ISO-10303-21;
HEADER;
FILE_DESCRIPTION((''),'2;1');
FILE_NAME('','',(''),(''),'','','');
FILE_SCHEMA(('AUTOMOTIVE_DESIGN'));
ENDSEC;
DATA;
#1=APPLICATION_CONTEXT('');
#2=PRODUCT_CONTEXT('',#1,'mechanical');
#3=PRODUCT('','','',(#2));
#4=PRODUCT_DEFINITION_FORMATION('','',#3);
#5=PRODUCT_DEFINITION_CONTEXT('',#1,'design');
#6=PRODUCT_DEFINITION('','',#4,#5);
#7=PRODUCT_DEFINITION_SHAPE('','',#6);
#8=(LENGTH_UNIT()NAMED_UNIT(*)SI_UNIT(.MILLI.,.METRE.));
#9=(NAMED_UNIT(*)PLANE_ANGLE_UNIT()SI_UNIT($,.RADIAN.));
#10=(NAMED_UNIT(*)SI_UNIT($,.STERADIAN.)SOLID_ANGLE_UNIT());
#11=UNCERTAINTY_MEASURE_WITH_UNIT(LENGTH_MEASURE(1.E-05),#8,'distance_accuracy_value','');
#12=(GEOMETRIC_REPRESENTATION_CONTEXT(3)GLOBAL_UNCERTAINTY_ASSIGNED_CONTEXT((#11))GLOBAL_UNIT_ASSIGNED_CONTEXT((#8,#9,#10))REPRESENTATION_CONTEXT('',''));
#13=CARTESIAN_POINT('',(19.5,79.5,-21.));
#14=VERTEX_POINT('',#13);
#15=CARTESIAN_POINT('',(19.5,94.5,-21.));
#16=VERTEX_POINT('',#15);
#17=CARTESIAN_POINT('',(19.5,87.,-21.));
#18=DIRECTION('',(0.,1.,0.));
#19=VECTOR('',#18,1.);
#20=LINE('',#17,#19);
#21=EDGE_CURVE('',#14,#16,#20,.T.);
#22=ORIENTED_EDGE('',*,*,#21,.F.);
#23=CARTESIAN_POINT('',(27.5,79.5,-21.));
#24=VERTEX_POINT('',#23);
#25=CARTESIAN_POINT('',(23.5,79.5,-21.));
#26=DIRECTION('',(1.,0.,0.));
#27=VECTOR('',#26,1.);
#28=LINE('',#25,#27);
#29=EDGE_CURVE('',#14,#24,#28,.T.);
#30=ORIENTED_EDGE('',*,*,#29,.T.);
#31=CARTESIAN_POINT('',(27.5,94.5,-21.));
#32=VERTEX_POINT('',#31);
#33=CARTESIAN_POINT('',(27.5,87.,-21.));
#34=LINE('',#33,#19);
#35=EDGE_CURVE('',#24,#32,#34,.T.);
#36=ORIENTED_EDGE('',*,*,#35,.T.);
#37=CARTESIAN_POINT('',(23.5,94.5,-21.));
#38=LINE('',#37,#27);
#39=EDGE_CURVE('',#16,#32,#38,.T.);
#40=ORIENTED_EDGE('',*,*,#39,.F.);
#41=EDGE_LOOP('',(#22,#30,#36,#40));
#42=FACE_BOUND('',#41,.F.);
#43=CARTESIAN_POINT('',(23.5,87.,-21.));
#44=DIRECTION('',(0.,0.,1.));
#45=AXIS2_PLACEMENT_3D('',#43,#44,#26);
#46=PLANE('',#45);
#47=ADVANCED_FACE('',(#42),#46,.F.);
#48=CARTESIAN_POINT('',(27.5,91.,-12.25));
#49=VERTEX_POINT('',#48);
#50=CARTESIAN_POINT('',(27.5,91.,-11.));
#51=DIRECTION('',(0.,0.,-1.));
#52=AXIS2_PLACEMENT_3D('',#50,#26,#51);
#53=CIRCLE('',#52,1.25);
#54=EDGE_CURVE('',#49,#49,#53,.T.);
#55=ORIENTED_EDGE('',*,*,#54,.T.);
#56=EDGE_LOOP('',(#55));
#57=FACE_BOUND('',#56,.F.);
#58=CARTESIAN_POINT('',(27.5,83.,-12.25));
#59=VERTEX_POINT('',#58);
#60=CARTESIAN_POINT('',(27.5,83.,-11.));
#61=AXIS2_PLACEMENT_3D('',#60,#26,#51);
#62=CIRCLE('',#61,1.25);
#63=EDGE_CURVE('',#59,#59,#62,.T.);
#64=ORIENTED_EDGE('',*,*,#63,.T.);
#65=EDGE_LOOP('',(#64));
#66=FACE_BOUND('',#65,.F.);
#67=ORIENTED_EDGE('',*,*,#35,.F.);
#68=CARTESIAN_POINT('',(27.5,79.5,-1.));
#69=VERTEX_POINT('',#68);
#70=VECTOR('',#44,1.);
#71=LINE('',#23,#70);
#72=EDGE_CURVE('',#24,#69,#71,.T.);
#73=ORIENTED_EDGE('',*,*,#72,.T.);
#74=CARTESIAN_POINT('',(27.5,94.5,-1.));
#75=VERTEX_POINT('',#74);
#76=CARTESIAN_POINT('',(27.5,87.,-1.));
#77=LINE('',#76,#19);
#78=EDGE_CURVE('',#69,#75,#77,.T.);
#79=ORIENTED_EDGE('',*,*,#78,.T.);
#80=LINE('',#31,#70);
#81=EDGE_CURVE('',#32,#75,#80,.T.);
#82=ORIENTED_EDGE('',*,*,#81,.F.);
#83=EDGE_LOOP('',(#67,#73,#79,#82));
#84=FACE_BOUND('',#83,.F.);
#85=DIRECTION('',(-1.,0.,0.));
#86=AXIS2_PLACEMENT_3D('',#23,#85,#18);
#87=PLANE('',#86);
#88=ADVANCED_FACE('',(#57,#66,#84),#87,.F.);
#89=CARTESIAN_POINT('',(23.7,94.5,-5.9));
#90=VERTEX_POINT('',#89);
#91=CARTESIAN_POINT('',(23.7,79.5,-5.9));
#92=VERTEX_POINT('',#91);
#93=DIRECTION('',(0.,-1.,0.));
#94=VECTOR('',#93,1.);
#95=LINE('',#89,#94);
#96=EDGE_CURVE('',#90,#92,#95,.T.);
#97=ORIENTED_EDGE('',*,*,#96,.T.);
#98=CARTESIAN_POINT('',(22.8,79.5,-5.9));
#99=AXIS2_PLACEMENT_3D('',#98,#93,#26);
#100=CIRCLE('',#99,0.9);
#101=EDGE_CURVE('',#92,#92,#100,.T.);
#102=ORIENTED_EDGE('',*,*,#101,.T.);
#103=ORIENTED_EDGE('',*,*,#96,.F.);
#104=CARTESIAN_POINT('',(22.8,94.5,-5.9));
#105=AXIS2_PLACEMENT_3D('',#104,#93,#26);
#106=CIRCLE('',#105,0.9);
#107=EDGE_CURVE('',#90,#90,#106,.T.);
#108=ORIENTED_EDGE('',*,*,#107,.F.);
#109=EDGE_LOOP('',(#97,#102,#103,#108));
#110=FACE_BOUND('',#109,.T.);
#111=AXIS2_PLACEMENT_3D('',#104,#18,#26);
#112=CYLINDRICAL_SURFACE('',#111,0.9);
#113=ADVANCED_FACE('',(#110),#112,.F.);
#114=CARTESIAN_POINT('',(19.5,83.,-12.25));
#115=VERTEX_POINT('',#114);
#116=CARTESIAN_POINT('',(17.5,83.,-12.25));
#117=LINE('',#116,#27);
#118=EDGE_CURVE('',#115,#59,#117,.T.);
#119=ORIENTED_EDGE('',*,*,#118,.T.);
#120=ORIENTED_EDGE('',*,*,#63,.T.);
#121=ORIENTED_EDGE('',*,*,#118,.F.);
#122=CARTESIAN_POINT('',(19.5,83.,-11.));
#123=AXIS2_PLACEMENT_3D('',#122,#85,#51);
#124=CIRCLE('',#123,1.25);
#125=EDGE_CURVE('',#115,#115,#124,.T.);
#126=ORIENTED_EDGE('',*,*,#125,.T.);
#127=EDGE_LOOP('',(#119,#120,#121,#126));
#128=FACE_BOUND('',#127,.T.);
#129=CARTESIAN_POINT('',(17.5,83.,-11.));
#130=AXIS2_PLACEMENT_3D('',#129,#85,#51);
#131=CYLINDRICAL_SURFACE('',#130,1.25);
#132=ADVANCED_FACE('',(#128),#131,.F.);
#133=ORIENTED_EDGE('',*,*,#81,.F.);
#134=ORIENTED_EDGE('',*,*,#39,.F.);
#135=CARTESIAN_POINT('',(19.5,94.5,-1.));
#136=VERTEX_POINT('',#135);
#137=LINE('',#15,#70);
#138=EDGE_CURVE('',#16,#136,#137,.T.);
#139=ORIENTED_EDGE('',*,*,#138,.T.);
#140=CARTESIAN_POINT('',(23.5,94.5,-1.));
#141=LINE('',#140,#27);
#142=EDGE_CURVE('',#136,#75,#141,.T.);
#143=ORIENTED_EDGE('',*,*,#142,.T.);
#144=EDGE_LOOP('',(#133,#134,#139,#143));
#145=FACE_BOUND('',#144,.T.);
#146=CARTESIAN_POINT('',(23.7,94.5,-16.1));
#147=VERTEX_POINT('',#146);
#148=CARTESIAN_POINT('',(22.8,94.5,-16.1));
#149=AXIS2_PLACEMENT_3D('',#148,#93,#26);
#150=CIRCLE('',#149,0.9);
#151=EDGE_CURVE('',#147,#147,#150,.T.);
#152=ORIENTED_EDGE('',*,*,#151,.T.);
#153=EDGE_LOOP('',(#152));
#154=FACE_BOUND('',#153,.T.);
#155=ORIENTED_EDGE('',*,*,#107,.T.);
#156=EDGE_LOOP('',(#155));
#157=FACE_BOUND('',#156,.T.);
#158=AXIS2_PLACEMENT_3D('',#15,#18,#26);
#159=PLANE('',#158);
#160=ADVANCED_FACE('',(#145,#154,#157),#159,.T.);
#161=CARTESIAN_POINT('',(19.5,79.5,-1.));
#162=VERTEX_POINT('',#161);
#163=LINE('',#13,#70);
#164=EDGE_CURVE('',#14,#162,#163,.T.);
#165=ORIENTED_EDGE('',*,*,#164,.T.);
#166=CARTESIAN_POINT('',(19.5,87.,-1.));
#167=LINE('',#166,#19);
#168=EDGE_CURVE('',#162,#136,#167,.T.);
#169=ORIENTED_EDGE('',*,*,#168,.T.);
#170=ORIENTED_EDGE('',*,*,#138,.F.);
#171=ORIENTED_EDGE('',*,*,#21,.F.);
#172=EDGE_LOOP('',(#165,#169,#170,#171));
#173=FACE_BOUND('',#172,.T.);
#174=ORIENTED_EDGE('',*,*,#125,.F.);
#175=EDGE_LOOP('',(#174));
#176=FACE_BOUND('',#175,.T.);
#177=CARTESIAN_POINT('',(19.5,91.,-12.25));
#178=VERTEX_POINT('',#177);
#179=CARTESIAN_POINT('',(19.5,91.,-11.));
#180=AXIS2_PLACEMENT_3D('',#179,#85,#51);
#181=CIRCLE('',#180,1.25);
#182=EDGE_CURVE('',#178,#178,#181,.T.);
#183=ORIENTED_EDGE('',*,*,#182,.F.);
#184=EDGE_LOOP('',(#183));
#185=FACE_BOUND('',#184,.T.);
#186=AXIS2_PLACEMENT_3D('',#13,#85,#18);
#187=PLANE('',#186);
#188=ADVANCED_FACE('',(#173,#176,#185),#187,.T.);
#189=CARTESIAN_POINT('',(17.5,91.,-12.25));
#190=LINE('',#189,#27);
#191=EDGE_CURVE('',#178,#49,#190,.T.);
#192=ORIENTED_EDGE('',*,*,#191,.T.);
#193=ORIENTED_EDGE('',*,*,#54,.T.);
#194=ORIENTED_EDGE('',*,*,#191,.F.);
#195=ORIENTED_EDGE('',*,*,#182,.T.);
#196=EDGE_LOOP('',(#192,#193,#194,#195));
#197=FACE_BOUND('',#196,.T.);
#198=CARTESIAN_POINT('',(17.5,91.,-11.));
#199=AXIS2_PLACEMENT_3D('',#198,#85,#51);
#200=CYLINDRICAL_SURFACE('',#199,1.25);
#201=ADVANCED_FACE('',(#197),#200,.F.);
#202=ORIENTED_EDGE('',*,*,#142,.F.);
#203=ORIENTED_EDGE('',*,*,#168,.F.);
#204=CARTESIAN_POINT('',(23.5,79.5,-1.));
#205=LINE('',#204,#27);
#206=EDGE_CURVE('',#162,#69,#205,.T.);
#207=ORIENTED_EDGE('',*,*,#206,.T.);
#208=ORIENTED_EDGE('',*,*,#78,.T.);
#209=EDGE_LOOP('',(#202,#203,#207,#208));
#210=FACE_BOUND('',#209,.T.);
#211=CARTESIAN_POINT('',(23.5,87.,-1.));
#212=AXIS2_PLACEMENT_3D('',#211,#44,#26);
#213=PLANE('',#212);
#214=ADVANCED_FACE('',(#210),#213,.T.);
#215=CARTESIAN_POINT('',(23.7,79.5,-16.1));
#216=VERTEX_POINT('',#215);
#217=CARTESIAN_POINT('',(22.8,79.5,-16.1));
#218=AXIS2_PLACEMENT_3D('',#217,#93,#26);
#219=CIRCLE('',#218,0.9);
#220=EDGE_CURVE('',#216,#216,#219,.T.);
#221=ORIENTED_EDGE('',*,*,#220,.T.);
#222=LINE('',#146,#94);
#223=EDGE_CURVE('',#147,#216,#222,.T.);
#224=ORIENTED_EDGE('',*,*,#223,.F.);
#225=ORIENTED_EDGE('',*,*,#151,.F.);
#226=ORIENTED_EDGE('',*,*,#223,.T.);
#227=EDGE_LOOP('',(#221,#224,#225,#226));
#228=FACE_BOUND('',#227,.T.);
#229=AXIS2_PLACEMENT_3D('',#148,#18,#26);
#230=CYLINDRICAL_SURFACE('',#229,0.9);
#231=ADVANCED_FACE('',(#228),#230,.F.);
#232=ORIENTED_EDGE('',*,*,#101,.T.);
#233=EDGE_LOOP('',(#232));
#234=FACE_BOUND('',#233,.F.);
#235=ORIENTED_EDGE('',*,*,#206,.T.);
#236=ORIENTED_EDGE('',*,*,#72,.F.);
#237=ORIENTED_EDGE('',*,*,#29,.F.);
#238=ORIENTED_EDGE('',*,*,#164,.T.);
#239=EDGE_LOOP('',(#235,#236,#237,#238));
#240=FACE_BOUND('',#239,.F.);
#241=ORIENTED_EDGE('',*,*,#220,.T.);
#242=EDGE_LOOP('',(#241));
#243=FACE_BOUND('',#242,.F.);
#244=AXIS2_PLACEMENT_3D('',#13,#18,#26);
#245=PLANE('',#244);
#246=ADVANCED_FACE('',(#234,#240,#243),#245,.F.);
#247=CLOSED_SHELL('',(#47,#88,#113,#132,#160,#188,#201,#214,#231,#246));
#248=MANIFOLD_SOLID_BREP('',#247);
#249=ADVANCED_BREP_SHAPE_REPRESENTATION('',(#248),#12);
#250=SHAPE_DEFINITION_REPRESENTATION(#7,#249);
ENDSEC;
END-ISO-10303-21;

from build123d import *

# Parameters (mm, degrees)
CYLINDER948_R           = 0.9
CYLINDER948_DEPTH       = 15
CYLINDER948_ROLL_ANGLE  = 90
CYLINDER949_R           = 0.9
CYLINDER949_DEPTH       = 15
CYLINDER949_ROLL_ANGLE  = 90
CYLINDER947_R           = 1.25
CYLINDER947_DEPTH       = 10
CYLINDER947_PITCH_ANGLE = 90
CYLINDER946_R           = 1.25
CYLINDER946_DEPTH       = 10
CYLINDER946_PITCH_ANGLE = 90
BOX556_W                = 8
BOX556_H                = 15
BOX556_DEPTH            = 20


with BuildPart() as cylinder1099:
    # Cylinder948 → Cylinder948 (new body)
    with BuildSketch(Plane.XY):
        Circle(CYLINDER948_R)
    extrude(amount=CYLINDER948_DEPTH)


with BuildPart() as cylinder1099_1:
    # Cylinder948 roll: moved
    add(cylinder1099.part.rotate(Axis((0, 0, 0), (1, 0, 0)), CYLINDER948_ROLL_ANGLE))


with BuildPart() as cylinder1099_2:
    # Cylinder948 placement: moved
    add(cylinder1099_1.part.moved(Location((27, 85, -10.2))))


with BuildPart() as fusion595:
    # Cylinder949 → Cylinder949 (new body)
    with BuildSketch(Plane.XY):
        Circle(CYLINDER949_R)
    extrude(amount=CYLINDER949_DEPTH)


with BuildPart() as fusion595_1:
    # Cylinder949 roll: moved
    add(fusion595.part.rotate(Axis((0, 0, 0), (1, 0, 0)), CYLINDER949_ROLL_ANGLE))


with BuildPart() as fusion595_2:
    # Cylinder949 placement: moved
    add(fusion595_1.part.moved(Location((27, 85, 0))))

    # Fusion595: union Cylinder1099
    add(cylinder1099_2.part)


with BuildPart() as fusion595_3:
    # Fusion595 placement: moved
    add(fusion595_2.part.moved(Location((-4.2, 9.5, -5.9))))


with BuildPart() as cylinder1094:
    # Cylinder947 → Cylinder947 (new body)
    with BuildSketch(Plane.XY):
        Circle(CYLINDER947_R)
    extrude(amount=CYLINDER947_DEPTH)


with BuildPart() as cylinder1094_1:
    # Cylinder947 pitch: moved
    add(cylinder1094.part.rotate(Axis((0, 0, 0), (0, 1, 0)), CYLINDER947_PITCH_ANGLE))


with BuildPart() as cylinder1094_2:
    # Cylinder947 placement: moved
    add(cylinder1094_1.part.moved(Location((13.5, 83, -11))))


with BuildPart() as fusion594:
    # Cylinder946 → Cylinder946 (new body)
    with BuildSketch(Plane.XY):
        Circle(CYLINDER946_R)
    extrude(amount=CYLINDER946_DEPTH)


with BuildPart() as fusion594_1:
    # Cylinder946 pitch: moved
    add(fusion594.part.rotate(Axis((0, 0, 0), (0, 1, 0)), CYLINDER946_PITCH_ANGLE))


with BuildPart() as fusion594_2:
    # Cylinder946 placement: moved
    add(fusion594_1.part.moved(Location((13.5, 91, -11))))

    # Fusion594: union Cylinder1094
    add(cylinder1094_2.part)


with BuildPart() as fusion594_3:
    # Fusion594 placement: moved
    add(fusion594_2.part.moved(Location((4, 0, 0))))


with BuildPart() as steering_servo_front_mount:
    # Box556 → Box556 (new body)
    with BuildSketch(Plane(origin=(19.5, 79.5, -21), x_dir=(1, 0, 0), z_dir=(0, 0, 1))):
        with Locations((4, 7.5)):
            Rectangle(BOX556_W, BOX556_H)
    extrude(amount=BOX556_DEPTH)

    # Cut693: cut Fusion594
    add(fusion594_3.part, mode=Mode.SUBTRACT)

    # Cut694: cut Fusion595
    add(fusion595_3.part, mode=Mode.SUBTRACT)


solid = steering_servo_front_mount.part
